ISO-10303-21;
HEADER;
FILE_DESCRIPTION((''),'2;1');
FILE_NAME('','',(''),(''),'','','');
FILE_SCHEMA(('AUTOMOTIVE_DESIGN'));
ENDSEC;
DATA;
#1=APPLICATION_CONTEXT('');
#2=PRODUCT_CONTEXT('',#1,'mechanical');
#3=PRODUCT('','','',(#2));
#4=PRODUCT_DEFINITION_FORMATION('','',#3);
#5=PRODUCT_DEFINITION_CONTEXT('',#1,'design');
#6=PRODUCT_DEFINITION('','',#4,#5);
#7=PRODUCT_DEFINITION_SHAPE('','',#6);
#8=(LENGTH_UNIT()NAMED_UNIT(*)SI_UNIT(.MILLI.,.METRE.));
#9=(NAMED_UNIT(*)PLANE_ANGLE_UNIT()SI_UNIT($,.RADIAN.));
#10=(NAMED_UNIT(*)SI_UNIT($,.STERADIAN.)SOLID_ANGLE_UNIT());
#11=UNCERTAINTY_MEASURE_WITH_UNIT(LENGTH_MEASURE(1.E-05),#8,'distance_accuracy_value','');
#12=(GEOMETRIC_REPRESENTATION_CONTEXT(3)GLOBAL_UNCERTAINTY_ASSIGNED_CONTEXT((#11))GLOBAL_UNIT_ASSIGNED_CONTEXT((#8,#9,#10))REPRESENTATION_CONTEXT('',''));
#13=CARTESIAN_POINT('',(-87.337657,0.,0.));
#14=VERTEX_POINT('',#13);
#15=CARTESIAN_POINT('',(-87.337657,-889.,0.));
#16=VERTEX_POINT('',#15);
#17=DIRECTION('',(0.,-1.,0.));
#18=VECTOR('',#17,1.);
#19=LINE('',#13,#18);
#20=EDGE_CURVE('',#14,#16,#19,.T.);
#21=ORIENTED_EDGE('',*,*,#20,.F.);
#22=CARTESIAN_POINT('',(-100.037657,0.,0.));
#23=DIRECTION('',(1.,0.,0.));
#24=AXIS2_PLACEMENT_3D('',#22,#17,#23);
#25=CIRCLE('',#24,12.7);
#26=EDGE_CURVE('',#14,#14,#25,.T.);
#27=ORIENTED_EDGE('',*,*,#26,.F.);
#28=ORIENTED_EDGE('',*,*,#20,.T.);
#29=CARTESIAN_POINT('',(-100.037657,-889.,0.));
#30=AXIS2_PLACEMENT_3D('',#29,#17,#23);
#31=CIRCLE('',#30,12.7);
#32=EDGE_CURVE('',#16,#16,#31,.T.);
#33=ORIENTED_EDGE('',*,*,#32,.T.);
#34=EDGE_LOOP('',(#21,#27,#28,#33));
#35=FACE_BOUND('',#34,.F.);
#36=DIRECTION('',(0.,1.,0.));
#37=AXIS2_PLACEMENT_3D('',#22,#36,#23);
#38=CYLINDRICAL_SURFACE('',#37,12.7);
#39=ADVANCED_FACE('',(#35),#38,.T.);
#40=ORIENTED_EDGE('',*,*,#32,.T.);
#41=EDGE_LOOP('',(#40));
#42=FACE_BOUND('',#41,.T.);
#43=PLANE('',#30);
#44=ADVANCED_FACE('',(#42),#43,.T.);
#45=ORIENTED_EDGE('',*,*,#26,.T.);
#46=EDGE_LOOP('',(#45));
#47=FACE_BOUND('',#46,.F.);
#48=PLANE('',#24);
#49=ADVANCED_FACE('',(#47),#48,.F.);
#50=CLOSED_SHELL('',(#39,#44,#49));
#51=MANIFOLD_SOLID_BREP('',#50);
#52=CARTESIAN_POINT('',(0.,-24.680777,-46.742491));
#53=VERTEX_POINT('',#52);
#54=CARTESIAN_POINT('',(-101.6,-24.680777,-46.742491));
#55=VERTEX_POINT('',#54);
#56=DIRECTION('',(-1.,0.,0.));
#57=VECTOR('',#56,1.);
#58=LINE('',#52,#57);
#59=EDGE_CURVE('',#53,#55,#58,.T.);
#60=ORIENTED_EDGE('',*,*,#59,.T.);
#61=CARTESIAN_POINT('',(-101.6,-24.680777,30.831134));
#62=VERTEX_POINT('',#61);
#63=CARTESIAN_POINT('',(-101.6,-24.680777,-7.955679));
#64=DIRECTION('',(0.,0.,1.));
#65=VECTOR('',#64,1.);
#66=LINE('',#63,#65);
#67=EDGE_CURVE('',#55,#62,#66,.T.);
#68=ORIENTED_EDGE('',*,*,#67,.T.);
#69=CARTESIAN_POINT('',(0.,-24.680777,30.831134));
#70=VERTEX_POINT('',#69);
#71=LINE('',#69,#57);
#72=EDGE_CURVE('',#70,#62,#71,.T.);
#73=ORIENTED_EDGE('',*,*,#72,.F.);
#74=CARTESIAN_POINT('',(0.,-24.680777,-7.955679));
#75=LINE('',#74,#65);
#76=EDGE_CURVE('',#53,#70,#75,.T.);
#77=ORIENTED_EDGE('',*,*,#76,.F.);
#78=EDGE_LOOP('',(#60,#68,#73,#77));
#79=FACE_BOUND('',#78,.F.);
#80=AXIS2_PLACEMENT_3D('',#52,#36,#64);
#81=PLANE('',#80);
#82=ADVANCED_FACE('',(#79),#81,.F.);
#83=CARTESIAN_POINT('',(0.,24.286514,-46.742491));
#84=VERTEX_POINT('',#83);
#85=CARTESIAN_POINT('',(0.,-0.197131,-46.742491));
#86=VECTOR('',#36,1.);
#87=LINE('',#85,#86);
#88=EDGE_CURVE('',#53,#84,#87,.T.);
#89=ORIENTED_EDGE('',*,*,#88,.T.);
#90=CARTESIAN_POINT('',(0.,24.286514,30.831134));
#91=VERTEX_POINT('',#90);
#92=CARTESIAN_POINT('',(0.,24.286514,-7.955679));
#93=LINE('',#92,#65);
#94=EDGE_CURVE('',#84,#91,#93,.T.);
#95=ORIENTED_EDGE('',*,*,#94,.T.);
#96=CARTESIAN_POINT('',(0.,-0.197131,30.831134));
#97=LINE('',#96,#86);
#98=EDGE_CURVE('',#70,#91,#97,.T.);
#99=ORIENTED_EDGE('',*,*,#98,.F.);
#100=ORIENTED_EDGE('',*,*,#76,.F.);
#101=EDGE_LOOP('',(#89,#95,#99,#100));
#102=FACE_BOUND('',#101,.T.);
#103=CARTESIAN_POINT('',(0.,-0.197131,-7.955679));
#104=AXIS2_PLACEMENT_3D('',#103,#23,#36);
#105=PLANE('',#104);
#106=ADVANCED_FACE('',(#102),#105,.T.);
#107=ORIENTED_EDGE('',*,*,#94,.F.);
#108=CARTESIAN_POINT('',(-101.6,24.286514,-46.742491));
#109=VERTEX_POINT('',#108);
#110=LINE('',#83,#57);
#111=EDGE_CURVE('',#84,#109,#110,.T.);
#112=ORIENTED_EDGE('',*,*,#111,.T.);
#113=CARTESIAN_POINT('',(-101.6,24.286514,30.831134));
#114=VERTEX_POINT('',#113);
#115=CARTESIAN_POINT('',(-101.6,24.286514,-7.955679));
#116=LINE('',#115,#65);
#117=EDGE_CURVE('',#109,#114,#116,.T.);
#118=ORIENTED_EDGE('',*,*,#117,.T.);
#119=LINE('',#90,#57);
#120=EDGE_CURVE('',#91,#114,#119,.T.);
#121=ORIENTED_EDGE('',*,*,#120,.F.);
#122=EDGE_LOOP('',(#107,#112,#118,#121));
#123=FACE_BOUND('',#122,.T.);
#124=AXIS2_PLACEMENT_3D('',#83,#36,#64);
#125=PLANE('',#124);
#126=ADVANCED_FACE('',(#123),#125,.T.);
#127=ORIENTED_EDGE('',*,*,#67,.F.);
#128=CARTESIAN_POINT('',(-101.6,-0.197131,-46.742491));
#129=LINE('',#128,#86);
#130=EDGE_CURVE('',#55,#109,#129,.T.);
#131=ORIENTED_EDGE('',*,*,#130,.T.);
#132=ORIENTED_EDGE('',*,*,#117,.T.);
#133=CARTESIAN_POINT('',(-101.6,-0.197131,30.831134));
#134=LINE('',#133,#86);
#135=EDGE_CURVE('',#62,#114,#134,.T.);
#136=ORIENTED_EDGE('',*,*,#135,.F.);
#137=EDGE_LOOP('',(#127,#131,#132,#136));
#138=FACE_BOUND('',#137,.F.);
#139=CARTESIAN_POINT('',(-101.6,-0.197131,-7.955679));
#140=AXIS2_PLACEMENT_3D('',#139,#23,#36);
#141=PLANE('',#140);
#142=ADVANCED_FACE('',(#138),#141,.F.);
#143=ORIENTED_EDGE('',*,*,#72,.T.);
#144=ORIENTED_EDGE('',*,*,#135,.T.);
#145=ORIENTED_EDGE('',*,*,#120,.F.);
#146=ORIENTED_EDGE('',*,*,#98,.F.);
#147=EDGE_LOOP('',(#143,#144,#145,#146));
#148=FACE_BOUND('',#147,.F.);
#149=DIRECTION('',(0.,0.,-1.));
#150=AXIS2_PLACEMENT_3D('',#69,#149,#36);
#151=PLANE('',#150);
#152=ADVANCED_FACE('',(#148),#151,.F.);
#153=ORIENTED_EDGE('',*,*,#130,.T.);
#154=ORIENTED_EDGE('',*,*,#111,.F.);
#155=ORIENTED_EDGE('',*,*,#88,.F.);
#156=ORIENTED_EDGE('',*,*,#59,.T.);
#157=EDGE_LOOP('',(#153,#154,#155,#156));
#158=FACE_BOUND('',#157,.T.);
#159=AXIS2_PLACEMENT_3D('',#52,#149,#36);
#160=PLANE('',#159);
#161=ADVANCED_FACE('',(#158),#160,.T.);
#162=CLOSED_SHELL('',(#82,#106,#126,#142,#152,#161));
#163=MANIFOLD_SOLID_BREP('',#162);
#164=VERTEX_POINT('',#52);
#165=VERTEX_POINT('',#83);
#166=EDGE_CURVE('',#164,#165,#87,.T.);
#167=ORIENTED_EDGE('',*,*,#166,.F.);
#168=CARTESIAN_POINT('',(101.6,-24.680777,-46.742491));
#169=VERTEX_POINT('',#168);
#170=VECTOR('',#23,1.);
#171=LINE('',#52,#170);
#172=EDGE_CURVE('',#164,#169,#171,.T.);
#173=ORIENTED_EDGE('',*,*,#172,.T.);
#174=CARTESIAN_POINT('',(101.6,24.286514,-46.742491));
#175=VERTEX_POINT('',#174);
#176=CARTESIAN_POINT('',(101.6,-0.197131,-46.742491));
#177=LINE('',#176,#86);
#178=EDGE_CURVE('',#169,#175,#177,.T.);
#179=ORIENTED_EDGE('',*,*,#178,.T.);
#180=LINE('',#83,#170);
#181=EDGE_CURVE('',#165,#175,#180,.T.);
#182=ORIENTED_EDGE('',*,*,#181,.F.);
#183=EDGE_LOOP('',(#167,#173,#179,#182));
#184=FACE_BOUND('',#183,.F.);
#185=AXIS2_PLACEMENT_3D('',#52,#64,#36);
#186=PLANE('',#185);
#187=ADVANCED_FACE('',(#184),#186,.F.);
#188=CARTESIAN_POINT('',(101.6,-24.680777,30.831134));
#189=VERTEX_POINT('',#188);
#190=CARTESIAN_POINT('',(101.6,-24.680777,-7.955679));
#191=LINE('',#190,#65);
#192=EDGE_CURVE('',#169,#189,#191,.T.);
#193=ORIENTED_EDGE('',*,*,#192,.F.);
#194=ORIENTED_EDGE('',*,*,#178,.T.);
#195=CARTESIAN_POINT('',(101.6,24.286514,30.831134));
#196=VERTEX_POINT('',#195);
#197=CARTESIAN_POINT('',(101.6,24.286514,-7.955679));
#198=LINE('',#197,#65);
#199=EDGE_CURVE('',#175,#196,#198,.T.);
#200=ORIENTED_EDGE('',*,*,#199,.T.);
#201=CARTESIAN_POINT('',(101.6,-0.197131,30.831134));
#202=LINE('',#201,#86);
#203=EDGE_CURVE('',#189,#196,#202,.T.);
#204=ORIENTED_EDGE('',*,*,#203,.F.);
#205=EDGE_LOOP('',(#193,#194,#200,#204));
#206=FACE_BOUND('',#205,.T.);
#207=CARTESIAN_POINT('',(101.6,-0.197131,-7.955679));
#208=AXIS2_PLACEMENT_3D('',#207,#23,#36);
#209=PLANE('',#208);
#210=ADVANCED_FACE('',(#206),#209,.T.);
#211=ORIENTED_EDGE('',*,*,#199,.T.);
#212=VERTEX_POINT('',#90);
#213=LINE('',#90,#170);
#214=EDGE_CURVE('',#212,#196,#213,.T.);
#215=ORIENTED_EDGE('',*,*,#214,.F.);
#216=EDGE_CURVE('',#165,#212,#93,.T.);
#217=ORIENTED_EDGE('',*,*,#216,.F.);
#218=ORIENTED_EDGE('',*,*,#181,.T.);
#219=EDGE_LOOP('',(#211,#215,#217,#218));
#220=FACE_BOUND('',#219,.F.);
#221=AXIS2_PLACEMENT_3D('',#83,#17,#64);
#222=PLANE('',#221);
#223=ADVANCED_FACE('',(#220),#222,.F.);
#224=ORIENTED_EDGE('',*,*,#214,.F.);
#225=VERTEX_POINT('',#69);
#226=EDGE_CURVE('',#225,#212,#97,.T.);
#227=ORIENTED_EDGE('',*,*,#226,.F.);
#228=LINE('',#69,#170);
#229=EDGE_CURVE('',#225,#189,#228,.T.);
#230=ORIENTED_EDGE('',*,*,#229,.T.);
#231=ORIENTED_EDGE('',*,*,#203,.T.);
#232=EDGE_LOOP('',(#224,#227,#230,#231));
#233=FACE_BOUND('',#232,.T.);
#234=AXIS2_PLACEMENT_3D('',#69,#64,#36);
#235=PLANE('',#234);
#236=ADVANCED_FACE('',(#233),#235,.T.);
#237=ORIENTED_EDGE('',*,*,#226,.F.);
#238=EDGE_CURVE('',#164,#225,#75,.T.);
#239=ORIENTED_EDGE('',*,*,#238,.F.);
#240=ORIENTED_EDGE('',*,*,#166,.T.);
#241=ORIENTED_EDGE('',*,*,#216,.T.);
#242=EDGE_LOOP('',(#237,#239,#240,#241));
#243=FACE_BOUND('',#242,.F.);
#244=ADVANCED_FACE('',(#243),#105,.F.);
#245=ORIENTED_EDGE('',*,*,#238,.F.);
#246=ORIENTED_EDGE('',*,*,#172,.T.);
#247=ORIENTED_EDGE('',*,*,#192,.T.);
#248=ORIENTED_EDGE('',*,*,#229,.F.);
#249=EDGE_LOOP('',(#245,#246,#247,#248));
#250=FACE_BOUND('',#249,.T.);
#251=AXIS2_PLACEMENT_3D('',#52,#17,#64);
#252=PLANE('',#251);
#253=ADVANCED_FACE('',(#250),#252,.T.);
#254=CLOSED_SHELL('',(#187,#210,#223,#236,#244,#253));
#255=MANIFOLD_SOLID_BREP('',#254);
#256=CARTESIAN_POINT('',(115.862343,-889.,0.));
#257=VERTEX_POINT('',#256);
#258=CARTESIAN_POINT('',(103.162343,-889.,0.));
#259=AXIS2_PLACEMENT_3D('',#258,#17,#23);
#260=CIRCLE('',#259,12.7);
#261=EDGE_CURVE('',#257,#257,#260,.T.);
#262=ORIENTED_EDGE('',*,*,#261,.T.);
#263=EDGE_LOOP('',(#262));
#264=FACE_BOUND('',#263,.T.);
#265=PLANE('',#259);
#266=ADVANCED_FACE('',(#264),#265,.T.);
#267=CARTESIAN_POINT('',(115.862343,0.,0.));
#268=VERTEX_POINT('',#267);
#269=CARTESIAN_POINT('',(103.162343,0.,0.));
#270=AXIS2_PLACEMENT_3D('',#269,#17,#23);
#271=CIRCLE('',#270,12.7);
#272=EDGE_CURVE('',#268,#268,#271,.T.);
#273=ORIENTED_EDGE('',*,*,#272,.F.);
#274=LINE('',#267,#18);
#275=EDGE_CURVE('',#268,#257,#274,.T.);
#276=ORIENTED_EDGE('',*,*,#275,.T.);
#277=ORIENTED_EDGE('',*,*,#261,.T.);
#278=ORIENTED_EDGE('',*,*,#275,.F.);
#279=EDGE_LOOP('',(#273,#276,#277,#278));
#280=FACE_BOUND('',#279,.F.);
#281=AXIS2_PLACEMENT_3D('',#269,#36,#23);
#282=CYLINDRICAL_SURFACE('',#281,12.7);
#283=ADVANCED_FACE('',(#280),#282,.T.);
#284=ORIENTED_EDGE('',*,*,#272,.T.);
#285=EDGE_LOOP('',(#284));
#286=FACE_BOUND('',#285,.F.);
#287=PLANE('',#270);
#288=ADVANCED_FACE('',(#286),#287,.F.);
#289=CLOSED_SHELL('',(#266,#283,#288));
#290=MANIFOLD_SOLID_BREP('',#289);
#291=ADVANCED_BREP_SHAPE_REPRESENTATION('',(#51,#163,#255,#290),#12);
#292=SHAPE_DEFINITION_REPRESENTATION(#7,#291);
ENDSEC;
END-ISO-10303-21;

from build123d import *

# Parameters (mm, degrees)
F0_R     = 12.7
F1_DEPTH = 889
F2_W     = 48.9672906697
F2_H     = 77.5736253709
F3_DEPTH = 101.6
F5_DEPTH = 101.6


with BuildPart() as f1:
    # F0 (on Front) → F1 (new body)
    with BuildSketch(Plane.XZ):
        with Locations((-100.0376567245, 0)):
            Circle(F0_R)
    extrude(amount=F1_DEPTH)


with BuildPart() as f1b:
    # F0 (on Front) → F1, piece 2 (new body)
    with BuildSketch(Plane.XZ):
        with Locations((103.1623432755, 0)):
            Circle(F0_R)
    extrude(amount=F1_DEPTH)


with BuildPart() as f3:
    # F2 (on Right) → F3 (new body)
    with BuildSketch(Plane.YZ):
        with Locations((-0.1971311867, -7.9556787387)):
            Rectangle(F2_W, F2_H)
    extrude(amount=-F3_DEPTH)


with BuildPart() as f5:
    # F5 (new): a face of the model
    f5_faces = [f3.part.faces().sort_by_distance(p)[0] for p in [
        (0, -0.1971311867, -7.9556787387),
    ]]
    extrude(f5_faces, amount=F5_DEPTH)


solid = Compound([f1.part, f1b.part, f3.part, f5.part])
